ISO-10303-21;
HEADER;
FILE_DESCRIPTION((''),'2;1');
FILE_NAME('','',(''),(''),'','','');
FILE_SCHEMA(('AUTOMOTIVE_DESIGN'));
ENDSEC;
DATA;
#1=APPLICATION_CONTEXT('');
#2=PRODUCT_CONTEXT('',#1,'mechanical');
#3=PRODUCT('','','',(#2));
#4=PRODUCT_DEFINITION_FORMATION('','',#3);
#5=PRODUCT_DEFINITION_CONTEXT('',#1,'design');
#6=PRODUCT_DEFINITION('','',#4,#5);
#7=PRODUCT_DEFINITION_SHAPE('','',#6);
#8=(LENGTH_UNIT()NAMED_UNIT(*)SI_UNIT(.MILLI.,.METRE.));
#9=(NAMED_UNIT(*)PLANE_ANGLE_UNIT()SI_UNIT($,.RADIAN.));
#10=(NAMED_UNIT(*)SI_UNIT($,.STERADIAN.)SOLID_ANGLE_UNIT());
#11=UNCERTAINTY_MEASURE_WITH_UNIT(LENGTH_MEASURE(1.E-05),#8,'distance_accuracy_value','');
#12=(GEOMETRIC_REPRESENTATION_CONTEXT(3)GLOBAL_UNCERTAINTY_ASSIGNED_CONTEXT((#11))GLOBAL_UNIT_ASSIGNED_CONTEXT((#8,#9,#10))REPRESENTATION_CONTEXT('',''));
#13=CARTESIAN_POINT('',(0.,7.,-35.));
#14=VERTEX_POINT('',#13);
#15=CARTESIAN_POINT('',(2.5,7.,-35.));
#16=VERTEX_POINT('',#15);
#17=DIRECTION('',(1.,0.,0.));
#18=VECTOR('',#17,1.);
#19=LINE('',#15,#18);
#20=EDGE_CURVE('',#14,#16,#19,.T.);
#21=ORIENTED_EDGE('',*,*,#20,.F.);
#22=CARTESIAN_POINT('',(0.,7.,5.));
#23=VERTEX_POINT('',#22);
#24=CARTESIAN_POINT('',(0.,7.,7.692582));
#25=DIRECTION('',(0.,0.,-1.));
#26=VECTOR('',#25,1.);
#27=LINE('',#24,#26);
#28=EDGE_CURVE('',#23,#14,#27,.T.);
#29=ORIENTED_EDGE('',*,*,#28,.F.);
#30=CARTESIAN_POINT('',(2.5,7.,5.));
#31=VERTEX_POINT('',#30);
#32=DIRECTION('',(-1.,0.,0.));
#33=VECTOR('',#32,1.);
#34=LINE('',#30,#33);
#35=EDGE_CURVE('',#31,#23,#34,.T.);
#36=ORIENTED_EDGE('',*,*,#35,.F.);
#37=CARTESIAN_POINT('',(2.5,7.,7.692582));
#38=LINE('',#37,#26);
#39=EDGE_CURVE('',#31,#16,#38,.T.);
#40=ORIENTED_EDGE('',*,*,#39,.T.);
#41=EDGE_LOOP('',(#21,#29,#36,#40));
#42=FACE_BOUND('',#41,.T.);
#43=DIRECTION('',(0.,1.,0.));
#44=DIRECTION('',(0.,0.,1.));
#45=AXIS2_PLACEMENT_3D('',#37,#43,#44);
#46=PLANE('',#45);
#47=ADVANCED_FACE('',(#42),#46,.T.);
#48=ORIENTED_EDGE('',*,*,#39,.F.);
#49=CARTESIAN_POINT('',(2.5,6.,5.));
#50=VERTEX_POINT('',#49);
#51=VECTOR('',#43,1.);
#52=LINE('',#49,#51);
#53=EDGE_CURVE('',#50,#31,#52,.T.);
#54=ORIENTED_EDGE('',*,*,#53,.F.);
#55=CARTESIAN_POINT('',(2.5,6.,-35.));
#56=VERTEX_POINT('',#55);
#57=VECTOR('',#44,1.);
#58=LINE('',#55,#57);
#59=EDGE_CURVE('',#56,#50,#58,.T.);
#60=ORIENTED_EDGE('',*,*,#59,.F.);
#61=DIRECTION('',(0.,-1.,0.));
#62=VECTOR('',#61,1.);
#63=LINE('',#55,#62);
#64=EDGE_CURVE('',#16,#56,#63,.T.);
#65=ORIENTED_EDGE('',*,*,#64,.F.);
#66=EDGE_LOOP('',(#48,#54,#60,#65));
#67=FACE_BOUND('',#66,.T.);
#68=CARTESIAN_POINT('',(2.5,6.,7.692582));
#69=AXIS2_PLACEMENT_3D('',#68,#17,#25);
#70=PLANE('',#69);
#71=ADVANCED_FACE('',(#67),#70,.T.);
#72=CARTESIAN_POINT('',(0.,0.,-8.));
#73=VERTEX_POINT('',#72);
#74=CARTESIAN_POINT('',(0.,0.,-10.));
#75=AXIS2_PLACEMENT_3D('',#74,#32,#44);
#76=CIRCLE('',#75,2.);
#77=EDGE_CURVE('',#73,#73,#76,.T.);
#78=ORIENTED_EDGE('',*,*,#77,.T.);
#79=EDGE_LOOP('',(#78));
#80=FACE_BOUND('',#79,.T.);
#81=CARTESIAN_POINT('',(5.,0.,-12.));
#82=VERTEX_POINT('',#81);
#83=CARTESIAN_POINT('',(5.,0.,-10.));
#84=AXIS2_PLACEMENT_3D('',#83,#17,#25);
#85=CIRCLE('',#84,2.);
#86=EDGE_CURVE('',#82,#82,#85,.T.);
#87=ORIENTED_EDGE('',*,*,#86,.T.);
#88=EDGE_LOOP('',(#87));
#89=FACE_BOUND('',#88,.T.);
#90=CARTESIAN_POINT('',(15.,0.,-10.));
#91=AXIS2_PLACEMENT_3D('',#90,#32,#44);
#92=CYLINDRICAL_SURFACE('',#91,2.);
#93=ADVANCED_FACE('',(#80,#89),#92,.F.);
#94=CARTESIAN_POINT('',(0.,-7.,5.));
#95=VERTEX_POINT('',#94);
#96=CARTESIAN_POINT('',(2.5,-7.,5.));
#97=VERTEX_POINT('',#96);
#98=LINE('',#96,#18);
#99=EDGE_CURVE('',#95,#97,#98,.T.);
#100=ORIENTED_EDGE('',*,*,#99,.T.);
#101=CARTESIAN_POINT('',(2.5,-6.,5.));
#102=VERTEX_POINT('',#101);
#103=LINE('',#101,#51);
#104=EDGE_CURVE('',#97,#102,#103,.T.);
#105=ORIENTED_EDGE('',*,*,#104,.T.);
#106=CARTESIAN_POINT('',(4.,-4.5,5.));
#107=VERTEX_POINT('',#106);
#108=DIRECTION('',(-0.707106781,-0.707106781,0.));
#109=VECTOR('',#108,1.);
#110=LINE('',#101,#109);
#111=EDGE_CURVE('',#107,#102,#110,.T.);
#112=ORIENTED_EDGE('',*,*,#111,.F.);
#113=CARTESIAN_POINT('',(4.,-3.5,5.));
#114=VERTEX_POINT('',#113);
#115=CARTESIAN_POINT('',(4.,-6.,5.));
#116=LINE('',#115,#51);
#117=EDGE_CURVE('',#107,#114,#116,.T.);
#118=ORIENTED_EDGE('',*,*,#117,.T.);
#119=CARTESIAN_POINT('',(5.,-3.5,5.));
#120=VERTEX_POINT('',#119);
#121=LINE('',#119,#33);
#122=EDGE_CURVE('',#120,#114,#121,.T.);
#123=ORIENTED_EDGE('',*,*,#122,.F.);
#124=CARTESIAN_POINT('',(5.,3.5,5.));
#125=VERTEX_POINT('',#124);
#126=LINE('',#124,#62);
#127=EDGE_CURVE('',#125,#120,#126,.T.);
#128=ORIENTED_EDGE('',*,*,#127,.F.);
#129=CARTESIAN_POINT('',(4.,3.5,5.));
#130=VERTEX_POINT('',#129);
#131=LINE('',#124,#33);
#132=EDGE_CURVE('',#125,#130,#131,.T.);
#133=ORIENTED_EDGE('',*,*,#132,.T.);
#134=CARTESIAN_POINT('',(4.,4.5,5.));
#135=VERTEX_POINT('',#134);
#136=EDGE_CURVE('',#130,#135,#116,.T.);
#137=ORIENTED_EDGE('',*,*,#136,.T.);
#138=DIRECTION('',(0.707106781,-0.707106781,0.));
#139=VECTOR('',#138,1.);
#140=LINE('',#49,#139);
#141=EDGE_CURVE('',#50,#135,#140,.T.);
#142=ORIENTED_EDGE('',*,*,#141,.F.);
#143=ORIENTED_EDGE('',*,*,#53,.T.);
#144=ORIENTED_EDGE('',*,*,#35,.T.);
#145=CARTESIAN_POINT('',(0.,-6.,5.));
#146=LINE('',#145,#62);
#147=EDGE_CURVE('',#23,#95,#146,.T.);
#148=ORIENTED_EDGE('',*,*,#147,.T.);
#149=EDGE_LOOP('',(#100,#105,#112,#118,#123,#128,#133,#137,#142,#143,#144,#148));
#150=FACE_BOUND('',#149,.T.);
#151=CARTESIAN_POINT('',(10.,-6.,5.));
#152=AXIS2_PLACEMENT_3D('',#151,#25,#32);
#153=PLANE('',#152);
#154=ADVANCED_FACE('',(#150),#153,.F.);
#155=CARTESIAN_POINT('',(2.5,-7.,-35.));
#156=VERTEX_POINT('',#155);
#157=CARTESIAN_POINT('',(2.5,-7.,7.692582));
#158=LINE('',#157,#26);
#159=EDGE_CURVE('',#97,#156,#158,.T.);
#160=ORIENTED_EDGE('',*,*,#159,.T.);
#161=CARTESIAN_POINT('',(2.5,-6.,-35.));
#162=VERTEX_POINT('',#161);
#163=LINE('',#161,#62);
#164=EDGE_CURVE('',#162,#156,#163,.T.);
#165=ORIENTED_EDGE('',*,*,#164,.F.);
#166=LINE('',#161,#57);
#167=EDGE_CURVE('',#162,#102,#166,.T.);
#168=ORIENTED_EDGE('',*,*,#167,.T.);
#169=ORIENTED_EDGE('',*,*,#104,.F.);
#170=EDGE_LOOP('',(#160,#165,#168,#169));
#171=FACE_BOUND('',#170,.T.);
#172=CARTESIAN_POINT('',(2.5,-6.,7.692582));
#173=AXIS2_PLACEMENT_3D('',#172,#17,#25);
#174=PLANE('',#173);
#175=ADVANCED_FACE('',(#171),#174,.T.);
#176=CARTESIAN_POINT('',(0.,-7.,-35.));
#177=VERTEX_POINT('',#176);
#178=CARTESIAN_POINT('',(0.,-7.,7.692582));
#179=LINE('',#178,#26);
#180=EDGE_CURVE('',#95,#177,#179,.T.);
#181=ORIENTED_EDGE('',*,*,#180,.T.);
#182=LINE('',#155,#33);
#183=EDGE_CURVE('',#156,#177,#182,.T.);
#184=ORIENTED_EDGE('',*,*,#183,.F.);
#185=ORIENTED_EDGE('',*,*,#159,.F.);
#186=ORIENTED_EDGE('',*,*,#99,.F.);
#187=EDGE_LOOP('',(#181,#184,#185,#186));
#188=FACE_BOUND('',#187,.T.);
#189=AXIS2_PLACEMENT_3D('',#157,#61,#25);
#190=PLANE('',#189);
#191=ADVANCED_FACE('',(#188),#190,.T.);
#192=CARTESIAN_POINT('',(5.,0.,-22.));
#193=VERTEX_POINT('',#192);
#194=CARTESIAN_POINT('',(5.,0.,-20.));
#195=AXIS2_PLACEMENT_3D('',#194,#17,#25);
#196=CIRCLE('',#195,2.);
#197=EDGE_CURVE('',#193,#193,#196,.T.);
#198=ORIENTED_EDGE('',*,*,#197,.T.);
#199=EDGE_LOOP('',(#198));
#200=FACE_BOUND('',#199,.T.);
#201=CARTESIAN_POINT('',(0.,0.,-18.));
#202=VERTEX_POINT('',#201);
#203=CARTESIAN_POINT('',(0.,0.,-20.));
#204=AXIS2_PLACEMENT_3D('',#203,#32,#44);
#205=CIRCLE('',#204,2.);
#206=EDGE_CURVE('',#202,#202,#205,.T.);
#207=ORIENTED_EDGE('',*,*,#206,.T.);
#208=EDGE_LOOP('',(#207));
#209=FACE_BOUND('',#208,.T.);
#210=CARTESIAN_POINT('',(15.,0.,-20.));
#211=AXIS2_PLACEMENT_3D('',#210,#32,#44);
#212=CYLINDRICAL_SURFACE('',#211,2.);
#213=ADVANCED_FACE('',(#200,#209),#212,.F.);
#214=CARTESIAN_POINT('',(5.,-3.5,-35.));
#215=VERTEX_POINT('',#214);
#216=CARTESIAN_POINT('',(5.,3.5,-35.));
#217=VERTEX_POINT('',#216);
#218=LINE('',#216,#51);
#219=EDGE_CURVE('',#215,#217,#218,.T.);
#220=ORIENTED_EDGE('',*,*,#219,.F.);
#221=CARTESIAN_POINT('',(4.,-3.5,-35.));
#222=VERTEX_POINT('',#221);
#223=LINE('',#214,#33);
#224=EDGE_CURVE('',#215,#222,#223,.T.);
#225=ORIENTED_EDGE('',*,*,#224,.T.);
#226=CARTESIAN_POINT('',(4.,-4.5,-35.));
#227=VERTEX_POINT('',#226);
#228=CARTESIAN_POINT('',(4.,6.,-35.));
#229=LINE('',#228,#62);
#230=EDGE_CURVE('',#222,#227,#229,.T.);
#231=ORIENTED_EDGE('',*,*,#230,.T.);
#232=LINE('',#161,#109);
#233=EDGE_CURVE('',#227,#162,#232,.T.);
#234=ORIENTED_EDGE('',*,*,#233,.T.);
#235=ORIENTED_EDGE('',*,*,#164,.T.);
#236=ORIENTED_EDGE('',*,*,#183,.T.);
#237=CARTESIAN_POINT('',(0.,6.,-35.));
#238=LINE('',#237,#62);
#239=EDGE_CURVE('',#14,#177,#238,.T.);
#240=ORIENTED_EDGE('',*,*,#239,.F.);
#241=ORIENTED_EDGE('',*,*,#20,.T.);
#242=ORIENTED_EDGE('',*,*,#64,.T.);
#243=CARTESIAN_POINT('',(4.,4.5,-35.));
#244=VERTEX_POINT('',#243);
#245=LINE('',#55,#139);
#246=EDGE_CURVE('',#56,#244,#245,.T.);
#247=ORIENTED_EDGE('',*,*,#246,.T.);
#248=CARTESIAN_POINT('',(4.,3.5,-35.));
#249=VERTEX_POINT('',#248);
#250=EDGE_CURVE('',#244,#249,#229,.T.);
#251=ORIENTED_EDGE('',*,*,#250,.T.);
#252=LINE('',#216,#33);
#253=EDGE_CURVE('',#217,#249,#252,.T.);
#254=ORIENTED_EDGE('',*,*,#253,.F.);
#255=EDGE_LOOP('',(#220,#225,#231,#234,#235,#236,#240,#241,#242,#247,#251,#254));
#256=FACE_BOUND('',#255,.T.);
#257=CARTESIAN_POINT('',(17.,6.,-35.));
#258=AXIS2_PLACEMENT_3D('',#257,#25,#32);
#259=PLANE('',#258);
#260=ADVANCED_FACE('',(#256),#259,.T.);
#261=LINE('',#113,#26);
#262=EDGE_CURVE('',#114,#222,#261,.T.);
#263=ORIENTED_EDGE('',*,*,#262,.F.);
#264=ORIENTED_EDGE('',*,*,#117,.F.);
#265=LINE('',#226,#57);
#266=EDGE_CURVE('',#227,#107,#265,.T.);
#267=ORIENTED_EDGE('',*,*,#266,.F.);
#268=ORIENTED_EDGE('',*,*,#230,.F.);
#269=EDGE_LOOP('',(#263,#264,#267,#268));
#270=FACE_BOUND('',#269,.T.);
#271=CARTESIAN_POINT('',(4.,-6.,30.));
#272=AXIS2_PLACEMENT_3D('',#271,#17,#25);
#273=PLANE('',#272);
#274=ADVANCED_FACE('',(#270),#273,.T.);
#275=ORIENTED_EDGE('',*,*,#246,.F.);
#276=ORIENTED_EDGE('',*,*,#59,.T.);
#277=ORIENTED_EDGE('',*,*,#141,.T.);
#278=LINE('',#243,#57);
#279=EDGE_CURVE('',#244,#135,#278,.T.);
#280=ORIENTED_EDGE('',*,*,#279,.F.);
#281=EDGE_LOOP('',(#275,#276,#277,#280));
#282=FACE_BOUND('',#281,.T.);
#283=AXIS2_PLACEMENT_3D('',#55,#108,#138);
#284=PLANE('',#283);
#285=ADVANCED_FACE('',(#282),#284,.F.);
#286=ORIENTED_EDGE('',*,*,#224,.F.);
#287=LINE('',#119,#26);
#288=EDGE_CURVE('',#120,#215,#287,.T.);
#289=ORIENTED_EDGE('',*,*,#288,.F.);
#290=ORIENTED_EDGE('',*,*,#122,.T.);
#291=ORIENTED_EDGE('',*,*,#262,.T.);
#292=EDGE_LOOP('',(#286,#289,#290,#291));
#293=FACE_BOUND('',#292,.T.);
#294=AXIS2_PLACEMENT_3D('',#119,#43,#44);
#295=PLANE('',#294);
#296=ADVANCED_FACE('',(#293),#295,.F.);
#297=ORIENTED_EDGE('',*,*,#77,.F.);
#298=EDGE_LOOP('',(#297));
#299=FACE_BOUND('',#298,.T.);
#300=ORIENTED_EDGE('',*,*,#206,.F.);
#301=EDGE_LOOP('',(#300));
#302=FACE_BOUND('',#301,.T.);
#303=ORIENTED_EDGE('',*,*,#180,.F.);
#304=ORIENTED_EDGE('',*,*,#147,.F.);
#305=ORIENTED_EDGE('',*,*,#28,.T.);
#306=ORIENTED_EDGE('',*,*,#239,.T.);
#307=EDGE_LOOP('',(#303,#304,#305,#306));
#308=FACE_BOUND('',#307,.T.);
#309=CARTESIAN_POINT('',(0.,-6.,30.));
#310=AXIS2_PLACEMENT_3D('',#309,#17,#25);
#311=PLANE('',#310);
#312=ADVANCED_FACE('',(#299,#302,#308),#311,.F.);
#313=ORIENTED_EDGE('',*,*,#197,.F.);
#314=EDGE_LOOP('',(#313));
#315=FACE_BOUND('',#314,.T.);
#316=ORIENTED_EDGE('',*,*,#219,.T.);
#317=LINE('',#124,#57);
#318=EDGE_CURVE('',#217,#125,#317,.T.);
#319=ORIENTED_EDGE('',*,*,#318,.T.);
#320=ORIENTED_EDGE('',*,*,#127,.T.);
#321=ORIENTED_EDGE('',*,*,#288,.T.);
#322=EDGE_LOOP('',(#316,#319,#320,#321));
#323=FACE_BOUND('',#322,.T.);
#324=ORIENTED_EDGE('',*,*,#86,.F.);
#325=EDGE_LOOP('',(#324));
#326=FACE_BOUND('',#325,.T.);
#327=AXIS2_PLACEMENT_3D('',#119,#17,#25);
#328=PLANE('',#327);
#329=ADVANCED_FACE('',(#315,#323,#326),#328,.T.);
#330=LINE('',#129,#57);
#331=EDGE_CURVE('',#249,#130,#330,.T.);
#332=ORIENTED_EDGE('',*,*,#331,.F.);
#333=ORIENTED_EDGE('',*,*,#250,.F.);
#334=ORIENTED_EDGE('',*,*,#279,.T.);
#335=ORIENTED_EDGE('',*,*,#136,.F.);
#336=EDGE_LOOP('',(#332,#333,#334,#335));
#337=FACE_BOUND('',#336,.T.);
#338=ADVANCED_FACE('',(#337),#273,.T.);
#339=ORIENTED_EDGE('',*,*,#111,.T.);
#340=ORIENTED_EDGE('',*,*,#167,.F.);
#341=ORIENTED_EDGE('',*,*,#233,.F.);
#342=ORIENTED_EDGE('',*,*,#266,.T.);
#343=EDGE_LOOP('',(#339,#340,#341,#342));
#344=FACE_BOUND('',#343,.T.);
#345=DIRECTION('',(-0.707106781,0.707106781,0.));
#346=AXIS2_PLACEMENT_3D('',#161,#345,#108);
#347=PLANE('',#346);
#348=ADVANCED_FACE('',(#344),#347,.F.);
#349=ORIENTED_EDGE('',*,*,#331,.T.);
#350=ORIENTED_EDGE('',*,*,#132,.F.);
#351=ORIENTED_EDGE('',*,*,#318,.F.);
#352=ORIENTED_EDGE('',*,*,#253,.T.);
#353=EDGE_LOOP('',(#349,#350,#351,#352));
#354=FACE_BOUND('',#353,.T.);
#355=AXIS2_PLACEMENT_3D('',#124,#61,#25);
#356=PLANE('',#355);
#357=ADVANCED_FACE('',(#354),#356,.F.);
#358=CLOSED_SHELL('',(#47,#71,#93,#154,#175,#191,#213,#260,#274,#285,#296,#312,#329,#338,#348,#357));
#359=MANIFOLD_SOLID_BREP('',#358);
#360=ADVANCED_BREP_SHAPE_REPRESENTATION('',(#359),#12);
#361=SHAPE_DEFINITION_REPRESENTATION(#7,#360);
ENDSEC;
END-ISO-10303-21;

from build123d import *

# Parameters (mm, degrees)
ESBO_O1_W                = 60
ESBO_O1_H                = 12
RESSALTO_EXTRUS_O1_DEPTH = 4
ESBO_O3_W                = 25
ESBO_O3_H                = 12
CORTE_EXTRUS_O2_DEPTH    = 10
ESBO_O4_W                = 5
ESBO_O4_H                = 12
RESSALTO_EXTRUS_O2_DEPTH = 4
CORTE_EXTRUS_O3_DEPTH    = 41.644802866
ESBO_O6_W                = 40
ESBO_O6_H                = 7
RESSALTO_EXTRUS_O3_DEPTH = 1
ESBO_O2_R                = 2
CORTE_EXTRUS_O1_DEPTH    = 15
ESBO_O7_W                = 2.5
ESBO_O7_H                = 1
RESSALTO_EXTRUS_O4_DEPTH = 40


with BuildPart() as part:
    # Esboço1 → Ressalto-extrusão1 (new body)
    with BuildSketch(Plane(origin=(0, 0, 0), x_dir=(0, 0, -1), z_dir=(1, 0, 0))):
        Rectangle(ESBO_O1_W, ESBO_O1_H)
    extrude(amount=RESSALTO_EXTRUS_O1_DEPTH)

    # Esboço3 → Corte-extrusão2 (cut)
    with BuildSketch(Plane.ZY):
        with Locations((17.5, 0)):
            Rectangle(ESBO_O3_W, ESBO_O3_H)
    extrude(amount=-CORTE_EXTRUS_O2_DEPTH, mode=Mode.SUBTRACT)

    # Esboço4 → Ressalto-extrusão2 (add)
    with BuildSketch(Plane.ZY):
        with Locations((-32.5, 0)):
            Rectangle(ESBO_O4_W, ESBO_O4_H)
    extrude(amount=-RESSALTO_EXTRUS_O2_DEPTH)

    # Esboço5 → Corte-extrusão3 (cut, through all)
    with BuildSketch(Plane.XY.offset(5)):
        Polygon((4, 6), (2.5, 6), (4, 4.5), align=None)
        Polygon((4, -4.5), (4, -6), (2.5, -6), align=None)
    extrude(amount=-CORTE_EXTRUS_O3_DEPTH, mode=Mode.SUBTRACT)

    # Esboço6 → Ressalto-extrusão3 (add)
    with BuildSketch(Plane(origin=(4, 0, 0), x_dir=(0, 0, -1), z_dir=(1, 0, 0))):
        with Locations((15, 0)):
            Rectangle(ESBO_O6_W, ESBO_O6_H)
    extrude(amount=RESSALTO_EXTRUS_O3_DEPTH)

    # Esboço2 → Corte-extrusão1 (cut)
    with BuildSketch(Plane.ZY):
        with Locations((-20, 0)):
            Circle(ESBO_O2_R)
        with Locations((-10, 0)):
            Circle(ESBO_O2_R)
    extrude(amount=-CORTE_EXTRUS_O1_DEPTH, mode=Mode.SUBTRACT)

    # Esboço7 → Ressalto-extrusão4 (add)
    with BuildSketch(Plane(origin=(0, 0, -35), x_dir=(-1, 0, 0), z_dir=(0, 0, -1))):
        with Locations((-1.25, 6.5)):
            Rectangle(ESBO_O7_W, ESBO_O7_H)
        with Locations((-1.25, -6.5)):
            Rectangle(ESBO_O7_W, ESBO_O7_H)
    extrude(amount=-RESSALTO_EXTRUS_O4_DEPTH)


solid = part.part
